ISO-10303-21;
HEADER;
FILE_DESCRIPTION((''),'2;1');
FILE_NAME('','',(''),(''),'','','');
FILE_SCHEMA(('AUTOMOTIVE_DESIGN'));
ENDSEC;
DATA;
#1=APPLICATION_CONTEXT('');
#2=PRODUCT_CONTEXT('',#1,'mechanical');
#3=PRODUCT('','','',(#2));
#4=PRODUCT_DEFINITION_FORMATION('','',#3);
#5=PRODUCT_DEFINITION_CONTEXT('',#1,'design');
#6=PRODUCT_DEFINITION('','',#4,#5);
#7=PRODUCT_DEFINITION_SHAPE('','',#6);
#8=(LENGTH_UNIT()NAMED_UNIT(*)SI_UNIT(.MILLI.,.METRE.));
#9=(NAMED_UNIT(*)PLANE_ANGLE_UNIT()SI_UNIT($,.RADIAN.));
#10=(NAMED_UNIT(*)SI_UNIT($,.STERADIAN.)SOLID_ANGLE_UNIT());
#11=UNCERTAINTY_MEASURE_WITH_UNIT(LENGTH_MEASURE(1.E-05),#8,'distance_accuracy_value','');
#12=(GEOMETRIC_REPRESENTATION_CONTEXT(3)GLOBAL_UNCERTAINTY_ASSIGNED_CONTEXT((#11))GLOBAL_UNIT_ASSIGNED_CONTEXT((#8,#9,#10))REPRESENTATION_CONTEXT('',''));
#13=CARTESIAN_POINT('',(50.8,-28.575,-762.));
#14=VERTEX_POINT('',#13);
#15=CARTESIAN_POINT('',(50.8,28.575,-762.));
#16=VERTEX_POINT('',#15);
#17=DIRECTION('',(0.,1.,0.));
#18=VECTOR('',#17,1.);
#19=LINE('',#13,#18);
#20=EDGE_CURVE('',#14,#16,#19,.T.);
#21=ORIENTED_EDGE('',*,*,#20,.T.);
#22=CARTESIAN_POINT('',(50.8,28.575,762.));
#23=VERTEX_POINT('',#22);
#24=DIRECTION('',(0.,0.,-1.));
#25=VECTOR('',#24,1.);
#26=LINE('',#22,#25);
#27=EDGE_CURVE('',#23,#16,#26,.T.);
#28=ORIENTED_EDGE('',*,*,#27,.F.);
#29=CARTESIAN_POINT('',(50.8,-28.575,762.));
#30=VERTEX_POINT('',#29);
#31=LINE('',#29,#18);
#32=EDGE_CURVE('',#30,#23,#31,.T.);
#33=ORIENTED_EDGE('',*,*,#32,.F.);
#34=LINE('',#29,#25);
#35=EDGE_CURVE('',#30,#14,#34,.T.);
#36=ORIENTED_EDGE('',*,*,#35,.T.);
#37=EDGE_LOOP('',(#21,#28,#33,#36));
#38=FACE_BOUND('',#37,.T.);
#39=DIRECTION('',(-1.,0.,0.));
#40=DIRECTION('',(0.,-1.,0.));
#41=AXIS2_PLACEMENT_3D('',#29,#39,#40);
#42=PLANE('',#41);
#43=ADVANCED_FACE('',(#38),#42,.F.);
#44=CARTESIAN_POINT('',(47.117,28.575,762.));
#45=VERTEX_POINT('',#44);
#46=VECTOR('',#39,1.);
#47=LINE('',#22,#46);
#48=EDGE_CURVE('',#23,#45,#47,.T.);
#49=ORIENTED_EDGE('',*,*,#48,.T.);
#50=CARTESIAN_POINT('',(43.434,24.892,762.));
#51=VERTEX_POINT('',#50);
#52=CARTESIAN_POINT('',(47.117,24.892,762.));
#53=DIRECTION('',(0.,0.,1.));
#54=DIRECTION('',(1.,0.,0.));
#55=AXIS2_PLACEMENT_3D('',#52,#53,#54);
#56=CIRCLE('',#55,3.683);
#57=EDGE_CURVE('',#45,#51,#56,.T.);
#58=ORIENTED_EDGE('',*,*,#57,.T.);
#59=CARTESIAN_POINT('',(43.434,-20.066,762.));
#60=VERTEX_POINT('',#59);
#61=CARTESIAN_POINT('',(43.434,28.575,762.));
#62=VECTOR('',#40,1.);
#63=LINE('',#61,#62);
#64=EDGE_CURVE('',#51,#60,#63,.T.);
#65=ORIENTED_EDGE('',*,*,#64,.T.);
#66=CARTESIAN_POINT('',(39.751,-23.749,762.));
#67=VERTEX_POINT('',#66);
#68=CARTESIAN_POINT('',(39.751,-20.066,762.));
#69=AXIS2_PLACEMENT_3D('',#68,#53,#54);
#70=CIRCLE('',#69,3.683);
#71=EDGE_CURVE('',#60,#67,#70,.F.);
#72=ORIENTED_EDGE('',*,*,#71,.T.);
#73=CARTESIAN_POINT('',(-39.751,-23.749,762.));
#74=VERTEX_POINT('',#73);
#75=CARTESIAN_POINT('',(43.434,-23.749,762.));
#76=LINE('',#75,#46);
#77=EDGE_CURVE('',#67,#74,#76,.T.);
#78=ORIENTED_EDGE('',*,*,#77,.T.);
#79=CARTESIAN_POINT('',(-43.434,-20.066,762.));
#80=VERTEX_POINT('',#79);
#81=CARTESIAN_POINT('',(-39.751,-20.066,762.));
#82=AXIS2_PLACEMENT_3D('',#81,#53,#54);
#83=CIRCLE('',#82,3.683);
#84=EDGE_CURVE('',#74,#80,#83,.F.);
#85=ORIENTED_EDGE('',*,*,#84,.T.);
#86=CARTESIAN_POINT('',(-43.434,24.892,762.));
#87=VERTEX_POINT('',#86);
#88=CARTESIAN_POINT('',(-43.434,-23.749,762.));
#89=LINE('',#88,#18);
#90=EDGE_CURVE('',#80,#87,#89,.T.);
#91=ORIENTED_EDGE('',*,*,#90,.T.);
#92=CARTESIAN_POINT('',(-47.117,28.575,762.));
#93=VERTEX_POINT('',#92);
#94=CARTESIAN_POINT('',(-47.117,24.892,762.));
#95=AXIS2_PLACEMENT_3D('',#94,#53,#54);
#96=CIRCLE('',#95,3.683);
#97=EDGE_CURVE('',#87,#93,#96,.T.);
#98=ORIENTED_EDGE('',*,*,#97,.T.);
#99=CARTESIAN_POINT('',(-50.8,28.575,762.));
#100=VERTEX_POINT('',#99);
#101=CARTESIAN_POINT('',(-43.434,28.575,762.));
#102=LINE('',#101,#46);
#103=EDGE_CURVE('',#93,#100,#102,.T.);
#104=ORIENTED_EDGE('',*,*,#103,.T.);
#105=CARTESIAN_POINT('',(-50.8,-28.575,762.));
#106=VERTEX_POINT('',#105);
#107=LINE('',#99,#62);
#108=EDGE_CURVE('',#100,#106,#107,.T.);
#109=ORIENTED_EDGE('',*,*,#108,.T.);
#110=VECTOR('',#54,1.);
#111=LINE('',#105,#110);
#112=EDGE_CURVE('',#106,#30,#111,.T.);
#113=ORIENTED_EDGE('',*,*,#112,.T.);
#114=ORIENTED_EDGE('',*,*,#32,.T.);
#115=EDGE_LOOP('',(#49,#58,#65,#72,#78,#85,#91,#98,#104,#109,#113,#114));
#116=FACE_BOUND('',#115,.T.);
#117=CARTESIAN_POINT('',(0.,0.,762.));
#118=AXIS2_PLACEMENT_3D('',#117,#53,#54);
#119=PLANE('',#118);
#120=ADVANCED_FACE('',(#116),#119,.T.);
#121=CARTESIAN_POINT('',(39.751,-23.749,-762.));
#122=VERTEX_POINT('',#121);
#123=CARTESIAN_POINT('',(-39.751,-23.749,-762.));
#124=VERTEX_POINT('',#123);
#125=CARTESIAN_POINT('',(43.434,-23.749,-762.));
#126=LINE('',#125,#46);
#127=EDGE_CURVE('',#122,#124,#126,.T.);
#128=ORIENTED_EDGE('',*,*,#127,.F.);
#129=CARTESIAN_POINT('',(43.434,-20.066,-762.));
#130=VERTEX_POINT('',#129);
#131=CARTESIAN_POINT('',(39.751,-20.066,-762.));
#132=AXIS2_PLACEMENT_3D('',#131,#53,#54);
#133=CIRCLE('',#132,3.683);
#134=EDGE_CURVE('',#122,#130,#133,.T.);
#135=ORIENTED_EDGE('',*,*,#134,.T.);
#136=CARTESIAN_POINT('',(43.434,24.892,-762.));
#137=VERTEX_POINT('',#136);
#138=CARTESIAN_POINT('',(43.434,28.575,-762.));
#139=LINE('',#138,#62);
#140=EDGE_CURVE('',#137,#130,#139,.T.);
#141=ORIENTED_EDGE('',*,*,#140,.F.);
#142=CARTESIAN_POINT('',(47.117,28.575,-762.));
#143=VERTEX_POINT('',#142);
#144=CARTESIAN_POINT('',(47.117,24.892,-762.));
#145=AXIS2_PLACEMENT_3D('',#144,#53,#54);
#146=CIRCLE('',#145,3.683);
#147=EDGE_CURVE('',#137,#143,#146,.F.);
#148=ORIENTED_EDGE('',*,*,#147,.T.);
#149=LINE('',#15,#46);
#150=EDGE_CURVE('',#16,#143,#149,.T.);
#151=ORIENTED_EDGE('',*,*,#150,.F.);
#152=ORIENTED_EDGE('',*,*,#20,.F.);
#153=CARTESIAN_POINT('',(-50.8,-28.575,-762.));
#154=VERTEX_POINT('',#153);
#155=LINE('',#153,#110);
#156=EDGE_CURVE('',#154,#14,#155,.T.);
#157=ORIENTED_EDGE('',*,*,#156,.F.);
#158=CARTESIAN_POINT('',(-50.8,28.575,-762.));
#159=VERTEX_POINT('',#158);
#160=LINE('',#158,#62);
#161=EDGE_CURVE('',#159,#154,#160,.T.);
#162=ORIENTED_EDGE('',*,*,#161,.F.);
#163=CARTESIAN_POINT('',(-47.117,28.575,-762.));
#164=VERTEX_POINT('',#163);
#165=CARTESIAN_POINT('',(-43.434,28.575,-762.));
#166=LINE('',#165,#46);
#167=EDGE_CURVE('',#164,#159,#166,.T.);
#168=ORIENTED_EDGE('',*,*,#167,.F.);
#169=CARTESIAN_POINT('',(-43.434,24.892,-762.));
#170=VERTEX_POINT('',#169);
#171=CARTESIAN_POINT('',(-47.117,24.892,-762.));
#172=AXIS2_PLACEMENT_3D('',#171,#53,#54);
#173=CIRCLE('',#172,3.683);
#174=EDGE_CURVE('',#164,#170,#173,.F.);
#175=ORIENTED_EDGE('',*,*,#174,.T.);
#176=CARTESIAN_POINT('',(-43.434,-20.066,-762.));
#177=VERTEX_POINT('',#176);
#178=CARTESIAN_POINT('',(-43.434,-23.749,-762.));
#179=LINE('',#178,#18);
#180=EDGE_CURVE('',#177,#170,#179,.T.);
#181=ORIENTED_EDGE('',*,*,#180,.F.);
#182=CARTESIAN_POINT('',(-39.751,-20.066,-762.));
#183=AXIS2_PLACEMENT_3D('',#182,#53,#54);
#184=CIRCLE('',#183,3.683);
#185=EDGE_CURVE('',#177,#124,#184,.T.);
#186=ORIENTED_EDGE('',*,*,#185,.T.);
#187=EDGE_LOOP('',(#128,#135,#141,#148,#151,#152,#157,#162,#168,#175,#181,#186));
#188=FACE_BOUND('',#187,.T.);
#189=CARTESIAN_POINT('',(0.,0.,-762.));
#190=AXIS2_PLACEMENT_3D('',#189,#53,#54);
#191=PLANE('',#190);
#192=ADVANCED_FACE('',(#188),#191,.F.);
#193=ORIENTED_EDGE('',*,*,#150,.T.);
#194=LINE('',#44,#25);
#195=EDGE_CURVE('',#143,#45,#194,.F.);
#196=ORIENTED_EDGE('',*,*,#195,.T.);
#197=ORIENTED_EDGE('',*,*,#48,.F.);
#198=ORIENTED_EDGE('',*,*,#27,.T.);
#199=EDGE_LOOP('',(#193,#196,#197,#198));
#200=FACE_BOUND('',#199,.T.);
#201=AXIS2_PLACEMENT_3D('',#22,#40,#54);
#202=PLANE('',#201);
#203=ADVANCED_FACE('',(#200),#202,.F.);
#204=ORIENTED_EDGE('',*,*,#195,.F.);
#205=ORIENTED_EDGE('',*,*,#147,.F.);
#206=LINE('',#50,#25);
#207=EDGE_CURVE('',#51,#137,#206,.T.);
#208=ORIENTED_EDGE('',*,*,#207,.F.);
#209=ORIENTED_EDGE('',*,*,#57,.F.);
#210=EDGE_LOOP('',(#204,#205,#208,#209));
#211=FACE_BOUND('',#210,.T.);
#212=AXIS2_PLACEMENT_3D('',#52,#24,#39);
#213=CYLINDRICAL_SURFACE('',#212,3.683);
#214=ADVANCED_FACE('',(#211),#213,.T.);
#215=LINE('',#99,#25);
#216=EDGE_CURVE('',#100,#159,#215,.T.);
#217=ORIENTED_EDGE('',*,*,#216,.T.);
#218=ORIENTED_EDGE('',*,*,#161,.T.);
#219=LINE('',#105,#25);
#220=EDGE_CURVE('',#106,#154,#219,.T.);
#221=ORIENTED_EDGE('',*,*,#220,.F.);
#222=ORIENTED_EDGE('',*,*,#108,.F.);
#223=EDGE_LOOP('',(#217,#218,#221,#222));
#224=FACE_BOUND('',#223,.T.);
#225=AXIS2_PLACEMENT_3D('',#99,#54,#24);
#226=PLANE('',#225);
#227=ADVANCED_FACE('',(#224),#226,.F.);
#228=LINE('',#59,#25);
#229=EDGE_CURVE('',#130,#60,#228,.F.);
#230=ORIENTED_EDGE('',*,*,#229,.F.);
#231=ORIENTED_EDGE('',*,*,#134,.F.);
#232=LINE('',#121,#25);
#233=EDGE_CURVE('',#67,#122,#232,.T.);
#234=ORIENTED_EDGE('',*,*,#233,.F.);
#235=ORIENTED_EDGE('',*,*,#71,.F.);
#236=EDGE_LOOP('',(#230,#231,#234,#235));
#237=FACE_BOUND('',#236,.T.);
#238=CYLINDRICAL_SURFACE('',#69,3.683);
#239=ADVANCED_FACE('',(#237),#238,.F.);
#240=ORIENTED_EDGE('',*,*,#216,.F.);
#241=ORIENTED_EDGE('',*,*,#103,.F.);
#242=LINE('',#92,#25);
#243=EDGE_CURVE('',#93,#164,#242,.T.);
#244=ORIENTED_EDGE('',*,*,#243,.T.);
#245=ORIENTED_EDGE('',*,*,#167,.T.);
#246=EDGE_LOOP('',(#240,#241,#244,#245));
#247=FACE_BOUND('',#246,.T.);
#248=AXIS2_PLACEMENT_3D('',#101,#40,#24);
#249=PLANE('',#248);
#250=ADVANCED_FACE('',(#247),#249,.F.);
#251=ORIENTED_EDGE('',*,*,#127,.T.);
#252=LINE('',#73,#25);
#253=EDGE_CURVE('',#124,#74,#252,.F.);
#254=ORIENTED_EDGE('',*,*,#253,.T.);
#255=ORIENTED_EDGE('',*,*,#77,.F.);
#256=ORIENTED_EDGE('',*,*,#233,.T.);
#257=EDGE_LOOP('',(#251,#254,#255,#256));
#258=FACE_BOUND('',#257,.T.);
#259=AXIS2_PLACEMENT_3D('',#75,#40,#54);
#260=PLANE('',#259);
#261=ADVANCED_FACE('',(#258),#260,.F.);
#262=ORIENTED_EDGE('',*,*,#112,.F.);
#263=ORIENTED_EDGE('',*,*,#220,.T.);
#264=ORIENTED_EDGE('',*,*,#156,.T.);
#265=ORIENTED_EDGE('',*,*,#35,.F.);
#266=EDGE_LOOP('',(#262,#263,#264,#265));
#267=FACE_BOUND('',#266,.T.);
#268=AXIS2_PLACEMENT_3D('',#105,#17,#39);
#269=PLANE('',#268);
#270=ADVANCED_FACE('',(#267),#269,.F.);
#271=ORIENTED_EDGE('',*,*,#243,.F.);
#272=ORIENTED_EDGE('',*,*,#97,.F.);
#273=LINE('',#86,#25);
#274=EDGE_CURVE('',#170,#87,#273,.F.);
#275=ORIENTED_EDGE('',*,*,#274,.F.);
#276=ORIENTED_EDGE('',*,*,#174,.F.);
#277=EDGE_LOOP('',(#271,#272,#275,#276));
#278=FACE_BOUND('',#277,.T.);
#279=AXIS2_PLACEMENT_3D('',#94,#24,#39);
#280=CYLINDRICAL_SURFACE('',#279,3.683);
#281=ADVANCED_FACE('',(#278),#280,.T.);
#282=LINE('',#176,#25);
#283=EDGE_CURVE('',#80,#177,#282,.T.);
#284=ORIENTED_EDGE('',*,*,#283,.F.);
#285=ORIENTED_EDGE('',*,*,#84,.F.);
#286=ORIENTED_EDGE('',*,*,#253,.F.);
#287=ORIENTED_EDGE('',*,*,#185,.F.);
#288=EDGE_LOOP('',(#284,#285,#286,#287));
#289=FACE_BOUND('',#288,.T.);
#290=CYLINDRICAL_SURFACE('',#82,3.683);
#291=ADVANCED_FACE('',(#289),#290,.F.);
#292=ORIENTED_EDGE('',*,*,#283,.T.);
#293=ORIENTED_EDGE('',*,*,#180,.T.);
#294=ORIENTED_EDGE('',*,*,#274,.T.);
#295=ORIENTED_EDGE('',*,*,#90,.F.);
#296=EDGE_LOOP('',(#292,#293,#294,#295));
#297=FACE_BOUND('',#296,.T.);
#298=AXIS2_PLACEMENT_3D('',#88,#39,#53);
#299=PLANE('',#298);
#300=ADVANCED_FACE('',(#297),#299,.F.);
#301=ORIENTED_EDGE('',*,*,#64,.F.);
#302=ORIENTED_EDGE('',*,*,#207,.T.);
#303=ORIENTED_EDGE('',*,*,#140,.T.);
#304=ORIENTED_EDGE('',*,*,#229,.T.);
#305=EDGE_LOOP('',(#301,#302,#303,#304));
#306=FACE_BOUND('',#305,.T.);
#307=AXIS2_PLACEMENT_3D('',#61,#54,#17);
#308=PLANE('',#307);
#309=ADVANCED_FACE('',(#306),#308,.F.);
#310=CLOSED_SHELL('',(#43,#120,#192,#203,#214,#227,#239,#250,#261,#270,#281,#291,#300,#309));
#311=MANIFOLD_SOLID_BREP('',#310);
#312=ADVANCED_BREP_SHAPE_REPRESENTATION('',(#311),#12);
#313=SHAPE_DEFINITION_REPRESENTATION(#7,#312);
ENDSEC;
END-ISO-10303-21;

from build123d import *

# Parameters (mm, degrees)
BOSS_EXTRUDE1_DEPTH = 762
FILLET1_R           = 3.683


with BuildPart() as part:
    # Sketch3 → Boss-Extrude1 (new, symmetric)
    with BuildSketch(Plane.XY):
        Polygon((-50.8, 28.575), (-50.8, -28.575), (50.8, -28.575), (50.8, 28.575), (43.434, 28.575), (43.434, -23.749), (-43.434, -23.749), (-43.434, 28.575), align=None)
    extrude(amount=BOSS_EXTRUDE1_DEPTH, both=True)

    # Fillet1
    fillet1_edges = [part.edges().sort_by_distance(p)[0] for p in [
        (-43.434, 28.575, 0),
        (-43.434, -23.749, 0),
        (43.434, -23.749, 0),
        (43.434, 28.575, 0),
    ]]
    fillet(fillet1_edges, radius=FILLET1_R)


solid = part.part
